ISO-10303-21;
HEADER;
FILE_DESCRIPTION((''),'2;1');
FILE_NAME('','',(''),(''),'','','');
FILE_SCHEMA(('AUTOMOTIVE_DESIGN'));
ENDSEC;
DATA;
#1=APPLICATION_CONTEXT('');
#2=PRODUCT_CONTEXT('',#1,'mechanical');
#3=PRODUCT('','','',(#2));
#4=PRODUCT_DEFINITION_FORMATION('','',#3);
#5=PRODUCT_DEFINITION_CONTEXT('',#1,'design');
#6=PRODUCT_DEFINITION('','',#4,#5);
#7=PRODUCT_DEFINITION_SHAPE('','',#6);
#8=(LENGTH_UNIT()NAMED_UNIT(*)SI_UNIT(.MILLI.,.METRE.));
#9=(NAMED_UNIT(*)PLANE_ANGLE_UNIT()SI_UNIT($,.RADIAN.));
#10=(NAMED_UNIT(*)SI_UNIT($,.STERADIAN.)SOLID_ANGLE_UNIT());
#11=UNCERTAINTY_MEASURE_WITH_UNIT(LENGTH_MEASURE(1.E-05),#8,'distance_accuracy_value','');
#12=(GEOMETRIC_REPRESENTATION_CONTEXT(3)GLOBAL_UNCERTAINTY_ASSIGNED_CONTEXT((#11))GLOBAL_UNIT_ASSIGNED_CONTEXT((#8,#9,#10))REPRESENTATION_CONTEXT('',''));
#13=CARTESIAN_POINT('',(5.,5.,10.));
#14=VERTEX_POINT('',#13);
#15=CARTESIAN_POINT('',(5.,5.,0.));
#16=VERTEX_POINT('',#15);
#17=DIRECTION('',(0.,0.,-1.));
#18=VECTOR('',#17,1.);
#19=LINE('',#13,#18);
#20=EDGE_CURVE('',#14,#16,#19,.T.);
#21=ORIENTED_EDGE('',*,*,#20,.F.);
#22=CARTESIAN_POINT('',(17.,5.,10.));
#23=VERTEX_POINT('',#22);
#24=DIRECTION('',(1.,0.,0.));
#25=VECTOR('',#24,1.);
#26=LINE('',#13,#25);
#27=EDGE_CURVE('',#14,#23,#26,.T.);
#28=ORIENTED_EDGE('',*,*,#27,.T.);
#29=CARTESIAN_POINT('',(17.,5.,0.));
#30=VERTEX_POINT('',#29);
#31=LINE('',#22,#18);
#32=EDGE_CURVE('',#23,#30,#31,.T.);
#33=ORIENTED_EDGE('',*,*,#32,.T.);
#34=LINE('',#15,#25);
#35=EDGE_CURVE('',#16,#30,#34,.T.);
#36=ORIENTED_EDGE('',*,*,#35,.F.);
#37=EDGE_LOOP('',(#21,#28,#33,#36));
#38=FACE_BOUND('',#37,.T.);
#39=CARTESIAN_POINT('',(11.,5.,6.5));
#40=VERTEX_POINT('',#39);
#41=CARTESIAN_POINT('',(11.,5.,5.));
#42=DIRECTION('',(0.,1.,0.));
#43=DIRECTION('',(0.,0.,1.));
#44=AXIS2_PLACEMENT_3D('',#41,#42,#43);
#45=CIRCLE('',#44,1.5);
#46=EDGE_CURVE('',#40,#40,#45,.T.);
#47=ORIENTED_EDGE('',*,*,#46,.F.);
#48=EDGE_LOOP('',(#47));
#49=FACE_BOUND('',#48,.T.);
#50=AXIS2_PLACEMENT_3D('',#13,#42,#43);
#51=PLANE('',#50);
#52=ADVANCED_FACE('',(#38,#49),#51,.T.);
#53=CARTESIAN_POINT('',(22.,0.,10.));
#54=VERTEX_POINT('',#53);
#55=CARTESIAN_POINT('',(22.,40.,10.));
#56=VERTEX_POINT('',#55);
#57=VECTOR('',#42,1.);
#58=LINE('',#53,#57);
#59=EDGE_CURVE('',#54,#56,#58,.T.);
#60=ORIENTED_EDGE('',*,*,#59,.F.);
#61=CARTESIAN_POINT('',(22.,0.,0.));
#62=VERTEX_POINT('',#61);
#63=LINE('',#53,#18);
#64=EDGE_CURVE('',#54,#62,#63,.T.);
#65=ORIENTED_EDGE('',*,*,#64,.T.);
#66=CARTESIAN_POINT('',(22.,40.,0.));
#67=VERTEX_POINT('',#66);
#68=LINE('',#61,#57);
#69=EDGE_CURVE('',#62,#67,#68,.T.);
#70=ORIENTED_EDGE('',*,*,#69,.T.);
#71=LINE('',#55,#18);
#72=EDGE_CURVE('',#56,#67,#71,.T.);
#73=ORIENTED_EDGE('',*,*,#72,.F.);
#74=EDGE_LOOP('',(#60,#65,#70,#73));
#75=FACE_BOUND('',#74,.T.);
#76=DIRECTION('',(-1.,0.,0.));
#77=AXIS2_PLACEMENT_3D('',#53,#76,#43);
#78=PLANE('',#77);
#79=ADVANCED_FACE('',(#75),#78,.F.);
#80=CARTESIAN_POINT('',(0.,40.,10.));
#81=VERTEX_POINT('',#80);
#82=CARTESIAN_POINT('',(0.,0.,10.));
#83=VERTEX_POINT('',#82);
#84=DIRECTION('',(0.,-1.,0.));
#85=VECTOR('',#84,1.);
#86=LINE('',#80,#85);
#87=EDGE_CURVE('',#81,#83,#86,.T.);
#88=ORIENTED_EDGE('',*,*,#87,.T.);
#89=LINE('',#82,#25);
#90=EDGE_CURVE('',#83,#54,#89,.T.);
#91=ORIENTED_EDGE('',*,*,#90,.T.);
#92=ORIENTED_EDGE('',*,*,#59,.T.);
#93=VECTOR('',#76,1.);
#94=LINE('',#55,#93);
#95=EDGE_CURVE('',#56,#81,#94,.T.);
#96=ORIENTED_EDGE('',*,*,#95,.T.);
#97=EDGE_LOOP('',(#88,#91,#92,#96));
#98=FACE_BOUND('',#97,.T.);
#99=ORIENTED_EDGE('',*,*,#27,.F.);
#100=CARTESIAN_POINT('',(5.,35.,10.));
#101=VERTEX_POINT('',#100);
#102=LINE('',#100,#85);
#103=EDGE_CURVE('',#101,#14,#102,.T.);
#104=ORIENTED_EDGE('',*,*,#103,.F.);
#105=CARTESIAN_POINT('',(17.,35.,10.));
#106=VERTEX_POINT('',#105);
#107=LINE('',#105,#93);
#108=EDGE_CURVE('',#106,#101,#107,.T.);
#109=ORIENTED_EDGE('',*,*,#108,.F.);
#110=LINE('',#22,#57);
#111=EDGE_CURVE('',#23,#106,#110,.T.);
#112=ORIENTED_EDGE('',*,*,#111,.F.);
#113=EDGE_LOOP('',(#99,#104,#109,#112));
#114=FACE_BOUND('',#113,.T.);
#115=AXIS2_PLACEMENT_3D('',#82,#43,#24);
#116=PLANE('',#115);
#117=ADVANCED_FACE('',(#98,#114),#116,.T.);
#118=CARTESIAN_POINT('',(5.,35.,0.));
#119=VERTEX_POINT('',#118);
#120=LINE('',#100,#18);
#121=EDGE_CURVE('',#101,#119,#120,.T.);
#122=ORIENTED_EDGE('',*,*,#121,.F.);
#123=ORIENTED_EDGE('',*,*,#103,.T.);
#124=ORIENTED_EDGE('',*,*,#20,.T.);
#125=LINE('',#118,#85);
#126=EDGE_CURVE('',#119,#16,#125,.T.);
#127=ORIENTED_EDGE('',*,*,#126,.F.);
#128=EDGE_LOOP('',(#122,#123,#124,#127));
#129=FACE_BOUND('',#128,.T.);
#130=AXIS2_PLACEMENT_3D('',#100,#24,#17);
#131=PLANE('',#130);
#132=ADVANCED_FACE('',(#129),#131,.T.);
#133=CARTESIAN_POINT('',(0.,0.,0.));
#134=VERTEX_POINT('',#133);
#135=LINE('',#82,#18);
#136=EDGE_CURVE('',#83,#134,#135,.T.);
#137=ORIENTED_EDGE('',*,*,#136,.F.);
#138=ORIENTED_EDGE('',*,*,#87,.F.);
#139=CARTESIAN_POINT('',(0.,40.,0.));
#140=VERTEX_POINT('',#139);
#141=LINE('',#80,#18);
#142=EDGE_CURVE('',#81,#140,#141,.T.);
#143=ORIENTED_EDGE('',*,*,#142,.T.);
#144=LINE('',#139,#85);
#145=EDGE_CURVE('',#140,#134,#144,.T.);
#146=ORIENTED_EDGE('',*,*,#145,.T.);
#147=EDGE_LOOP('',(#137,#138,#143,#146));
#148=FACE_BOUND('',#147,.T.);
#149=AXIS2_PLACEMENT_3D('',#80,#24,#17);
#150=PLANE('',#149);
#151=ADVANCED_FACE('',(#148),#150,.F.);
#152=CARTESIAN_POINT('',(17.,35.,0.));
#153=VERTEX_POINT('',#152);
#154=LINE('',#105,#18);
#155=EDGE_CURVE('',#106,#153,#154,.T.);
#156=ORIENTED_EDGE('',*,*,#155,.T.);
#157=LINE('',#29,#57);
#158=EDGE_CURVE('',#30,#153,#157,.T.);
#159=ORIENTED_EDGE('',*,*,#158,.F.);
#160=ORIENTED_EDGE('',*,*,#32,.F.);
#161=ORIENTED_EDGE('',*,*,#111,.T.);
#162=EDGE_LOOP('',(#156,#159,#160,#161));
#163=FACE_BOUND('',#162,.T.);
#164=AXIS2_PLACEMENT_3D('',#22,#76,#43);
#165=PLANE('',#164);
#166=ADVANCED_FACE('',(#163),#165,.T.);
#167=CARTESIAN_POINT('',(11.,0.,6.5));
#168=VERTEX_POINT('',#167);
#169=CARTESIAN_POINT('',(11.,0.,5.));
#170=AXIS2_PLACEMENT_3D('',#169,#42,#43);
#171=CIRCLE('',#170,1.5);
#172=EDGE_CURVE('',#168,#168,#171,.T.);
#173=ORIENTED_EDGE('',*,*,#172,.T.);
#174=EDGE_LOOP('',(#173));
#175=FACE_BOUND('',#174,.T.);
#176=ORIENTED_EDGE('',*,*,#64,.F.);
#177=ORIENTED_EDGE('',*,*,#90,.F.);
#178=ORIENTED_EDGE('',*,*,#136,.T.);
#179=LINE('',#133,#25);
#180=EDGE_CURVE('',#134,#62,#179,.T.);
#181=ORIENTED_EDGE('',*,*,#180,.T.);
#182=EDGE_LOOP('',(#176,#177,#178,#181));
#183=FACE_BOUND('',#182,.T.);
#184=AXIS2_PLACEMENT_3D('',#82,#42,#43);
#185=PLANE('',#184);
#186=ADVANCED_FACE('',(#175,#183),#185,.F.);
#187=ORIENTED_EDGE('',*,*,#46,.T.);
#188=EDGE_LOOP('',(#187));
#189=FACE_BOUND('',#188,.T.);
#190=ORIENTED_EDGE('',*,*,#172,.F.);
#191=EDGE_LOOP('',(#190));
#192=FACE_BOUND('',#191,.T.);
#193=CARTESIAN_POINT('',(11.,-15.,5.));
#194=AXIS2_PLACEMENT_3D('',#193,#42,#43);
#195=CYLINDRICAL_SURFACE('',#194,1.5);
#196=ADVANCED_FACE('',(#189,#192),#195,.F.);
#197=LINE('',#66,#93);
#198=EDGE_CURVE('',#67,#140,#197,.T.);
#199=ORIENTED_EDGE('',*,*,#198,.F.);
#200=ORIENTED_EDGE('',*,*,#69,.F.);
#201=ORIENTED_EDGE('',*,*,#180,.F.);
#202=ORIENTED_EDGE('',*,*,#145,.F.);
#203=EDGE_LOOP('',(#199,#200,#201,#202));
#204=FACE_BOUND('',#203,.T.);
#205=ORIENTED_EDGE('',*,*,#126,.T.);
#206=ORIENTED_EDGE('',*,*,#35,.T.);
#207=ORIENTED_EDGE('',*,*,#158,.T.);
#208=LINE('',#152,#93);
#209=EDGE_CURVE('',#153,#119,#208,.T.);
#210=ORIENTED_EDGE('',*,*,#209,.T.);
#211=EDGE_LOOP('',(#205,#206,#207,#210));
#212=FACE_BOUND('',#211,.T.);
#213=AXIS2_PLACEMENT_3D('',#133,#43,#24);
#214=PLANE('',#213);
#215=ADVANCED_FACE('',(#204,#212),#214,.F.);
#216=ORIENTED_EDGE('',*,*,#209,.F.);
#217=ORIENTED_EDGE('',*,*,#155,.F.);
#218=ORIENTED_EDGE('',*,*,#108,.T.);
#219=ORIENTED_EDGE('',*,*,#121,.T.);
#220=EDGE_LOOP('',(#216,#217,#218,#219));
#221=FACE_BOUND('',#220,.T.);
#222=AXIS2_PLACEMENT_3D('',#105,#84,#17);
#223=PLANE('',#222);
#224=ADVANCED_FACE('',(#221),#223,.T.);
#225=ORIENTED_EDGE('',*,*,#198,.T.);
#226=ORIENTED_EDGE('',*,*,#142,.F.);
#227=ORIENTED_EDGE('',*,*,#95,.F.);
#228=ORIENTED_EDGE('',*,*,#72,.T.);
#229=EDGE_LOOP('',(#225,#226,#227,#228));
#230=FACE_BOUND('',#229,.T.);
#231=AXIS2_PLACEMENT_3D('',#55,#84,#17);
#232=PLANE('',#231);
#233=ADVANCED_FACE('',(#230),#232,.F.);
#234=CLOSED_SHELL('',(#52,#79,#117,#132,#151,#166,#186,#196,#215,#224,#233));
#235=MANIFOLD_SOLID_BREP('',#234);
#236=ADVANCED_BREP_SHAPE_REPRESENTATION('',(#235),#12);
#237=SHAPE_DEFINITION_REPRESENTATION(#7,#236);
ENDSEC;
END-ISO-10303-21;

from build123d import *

# Parameters (mm, degrees)
SKETCH1_W           = 22
SKETCH1_H           = 40
SKETCH1_W_2         = 12
SKETCH1_H_2         = 30
BOSS_EXTRUDE1_DEPTH = 10
SKETCH2_R           = 1.5
CUT_EXTRUDE1_DEPTH  = 15


with BuildPart() as part:
    # Sketch1 → Boss-Extrude1 (new body)
    with BuildSketch(Plane.XY):
        with Locations((11, 20)):
            Rectangle(SKETCH1_W, SKETCH1_H)
        with Locations((11, 20)):
            Rectangle(SKETCH1_W_2, SKETCH1_H_2, mode=Mode.SUBTRACT)
    extrude(amount=BOSS_EXTRUDE1_DEPTH)

    # Sketch2 → Cut-Extrude1 (cut, symmetric)
    with BuildSketch(Plane(origin=(0, 0, 0), x_dir=(1, 0, 0), z_dir=(0, 1, 0))):
        with Locations(Location((11, -5, 0), (0, 0, 270))):
            Circle(SKETCH2_R)
    extrude(amount=CUT_EXTRUDE1_DEPTH, both=True, mode=Mode.SUBTRACT)


solid = part.part
